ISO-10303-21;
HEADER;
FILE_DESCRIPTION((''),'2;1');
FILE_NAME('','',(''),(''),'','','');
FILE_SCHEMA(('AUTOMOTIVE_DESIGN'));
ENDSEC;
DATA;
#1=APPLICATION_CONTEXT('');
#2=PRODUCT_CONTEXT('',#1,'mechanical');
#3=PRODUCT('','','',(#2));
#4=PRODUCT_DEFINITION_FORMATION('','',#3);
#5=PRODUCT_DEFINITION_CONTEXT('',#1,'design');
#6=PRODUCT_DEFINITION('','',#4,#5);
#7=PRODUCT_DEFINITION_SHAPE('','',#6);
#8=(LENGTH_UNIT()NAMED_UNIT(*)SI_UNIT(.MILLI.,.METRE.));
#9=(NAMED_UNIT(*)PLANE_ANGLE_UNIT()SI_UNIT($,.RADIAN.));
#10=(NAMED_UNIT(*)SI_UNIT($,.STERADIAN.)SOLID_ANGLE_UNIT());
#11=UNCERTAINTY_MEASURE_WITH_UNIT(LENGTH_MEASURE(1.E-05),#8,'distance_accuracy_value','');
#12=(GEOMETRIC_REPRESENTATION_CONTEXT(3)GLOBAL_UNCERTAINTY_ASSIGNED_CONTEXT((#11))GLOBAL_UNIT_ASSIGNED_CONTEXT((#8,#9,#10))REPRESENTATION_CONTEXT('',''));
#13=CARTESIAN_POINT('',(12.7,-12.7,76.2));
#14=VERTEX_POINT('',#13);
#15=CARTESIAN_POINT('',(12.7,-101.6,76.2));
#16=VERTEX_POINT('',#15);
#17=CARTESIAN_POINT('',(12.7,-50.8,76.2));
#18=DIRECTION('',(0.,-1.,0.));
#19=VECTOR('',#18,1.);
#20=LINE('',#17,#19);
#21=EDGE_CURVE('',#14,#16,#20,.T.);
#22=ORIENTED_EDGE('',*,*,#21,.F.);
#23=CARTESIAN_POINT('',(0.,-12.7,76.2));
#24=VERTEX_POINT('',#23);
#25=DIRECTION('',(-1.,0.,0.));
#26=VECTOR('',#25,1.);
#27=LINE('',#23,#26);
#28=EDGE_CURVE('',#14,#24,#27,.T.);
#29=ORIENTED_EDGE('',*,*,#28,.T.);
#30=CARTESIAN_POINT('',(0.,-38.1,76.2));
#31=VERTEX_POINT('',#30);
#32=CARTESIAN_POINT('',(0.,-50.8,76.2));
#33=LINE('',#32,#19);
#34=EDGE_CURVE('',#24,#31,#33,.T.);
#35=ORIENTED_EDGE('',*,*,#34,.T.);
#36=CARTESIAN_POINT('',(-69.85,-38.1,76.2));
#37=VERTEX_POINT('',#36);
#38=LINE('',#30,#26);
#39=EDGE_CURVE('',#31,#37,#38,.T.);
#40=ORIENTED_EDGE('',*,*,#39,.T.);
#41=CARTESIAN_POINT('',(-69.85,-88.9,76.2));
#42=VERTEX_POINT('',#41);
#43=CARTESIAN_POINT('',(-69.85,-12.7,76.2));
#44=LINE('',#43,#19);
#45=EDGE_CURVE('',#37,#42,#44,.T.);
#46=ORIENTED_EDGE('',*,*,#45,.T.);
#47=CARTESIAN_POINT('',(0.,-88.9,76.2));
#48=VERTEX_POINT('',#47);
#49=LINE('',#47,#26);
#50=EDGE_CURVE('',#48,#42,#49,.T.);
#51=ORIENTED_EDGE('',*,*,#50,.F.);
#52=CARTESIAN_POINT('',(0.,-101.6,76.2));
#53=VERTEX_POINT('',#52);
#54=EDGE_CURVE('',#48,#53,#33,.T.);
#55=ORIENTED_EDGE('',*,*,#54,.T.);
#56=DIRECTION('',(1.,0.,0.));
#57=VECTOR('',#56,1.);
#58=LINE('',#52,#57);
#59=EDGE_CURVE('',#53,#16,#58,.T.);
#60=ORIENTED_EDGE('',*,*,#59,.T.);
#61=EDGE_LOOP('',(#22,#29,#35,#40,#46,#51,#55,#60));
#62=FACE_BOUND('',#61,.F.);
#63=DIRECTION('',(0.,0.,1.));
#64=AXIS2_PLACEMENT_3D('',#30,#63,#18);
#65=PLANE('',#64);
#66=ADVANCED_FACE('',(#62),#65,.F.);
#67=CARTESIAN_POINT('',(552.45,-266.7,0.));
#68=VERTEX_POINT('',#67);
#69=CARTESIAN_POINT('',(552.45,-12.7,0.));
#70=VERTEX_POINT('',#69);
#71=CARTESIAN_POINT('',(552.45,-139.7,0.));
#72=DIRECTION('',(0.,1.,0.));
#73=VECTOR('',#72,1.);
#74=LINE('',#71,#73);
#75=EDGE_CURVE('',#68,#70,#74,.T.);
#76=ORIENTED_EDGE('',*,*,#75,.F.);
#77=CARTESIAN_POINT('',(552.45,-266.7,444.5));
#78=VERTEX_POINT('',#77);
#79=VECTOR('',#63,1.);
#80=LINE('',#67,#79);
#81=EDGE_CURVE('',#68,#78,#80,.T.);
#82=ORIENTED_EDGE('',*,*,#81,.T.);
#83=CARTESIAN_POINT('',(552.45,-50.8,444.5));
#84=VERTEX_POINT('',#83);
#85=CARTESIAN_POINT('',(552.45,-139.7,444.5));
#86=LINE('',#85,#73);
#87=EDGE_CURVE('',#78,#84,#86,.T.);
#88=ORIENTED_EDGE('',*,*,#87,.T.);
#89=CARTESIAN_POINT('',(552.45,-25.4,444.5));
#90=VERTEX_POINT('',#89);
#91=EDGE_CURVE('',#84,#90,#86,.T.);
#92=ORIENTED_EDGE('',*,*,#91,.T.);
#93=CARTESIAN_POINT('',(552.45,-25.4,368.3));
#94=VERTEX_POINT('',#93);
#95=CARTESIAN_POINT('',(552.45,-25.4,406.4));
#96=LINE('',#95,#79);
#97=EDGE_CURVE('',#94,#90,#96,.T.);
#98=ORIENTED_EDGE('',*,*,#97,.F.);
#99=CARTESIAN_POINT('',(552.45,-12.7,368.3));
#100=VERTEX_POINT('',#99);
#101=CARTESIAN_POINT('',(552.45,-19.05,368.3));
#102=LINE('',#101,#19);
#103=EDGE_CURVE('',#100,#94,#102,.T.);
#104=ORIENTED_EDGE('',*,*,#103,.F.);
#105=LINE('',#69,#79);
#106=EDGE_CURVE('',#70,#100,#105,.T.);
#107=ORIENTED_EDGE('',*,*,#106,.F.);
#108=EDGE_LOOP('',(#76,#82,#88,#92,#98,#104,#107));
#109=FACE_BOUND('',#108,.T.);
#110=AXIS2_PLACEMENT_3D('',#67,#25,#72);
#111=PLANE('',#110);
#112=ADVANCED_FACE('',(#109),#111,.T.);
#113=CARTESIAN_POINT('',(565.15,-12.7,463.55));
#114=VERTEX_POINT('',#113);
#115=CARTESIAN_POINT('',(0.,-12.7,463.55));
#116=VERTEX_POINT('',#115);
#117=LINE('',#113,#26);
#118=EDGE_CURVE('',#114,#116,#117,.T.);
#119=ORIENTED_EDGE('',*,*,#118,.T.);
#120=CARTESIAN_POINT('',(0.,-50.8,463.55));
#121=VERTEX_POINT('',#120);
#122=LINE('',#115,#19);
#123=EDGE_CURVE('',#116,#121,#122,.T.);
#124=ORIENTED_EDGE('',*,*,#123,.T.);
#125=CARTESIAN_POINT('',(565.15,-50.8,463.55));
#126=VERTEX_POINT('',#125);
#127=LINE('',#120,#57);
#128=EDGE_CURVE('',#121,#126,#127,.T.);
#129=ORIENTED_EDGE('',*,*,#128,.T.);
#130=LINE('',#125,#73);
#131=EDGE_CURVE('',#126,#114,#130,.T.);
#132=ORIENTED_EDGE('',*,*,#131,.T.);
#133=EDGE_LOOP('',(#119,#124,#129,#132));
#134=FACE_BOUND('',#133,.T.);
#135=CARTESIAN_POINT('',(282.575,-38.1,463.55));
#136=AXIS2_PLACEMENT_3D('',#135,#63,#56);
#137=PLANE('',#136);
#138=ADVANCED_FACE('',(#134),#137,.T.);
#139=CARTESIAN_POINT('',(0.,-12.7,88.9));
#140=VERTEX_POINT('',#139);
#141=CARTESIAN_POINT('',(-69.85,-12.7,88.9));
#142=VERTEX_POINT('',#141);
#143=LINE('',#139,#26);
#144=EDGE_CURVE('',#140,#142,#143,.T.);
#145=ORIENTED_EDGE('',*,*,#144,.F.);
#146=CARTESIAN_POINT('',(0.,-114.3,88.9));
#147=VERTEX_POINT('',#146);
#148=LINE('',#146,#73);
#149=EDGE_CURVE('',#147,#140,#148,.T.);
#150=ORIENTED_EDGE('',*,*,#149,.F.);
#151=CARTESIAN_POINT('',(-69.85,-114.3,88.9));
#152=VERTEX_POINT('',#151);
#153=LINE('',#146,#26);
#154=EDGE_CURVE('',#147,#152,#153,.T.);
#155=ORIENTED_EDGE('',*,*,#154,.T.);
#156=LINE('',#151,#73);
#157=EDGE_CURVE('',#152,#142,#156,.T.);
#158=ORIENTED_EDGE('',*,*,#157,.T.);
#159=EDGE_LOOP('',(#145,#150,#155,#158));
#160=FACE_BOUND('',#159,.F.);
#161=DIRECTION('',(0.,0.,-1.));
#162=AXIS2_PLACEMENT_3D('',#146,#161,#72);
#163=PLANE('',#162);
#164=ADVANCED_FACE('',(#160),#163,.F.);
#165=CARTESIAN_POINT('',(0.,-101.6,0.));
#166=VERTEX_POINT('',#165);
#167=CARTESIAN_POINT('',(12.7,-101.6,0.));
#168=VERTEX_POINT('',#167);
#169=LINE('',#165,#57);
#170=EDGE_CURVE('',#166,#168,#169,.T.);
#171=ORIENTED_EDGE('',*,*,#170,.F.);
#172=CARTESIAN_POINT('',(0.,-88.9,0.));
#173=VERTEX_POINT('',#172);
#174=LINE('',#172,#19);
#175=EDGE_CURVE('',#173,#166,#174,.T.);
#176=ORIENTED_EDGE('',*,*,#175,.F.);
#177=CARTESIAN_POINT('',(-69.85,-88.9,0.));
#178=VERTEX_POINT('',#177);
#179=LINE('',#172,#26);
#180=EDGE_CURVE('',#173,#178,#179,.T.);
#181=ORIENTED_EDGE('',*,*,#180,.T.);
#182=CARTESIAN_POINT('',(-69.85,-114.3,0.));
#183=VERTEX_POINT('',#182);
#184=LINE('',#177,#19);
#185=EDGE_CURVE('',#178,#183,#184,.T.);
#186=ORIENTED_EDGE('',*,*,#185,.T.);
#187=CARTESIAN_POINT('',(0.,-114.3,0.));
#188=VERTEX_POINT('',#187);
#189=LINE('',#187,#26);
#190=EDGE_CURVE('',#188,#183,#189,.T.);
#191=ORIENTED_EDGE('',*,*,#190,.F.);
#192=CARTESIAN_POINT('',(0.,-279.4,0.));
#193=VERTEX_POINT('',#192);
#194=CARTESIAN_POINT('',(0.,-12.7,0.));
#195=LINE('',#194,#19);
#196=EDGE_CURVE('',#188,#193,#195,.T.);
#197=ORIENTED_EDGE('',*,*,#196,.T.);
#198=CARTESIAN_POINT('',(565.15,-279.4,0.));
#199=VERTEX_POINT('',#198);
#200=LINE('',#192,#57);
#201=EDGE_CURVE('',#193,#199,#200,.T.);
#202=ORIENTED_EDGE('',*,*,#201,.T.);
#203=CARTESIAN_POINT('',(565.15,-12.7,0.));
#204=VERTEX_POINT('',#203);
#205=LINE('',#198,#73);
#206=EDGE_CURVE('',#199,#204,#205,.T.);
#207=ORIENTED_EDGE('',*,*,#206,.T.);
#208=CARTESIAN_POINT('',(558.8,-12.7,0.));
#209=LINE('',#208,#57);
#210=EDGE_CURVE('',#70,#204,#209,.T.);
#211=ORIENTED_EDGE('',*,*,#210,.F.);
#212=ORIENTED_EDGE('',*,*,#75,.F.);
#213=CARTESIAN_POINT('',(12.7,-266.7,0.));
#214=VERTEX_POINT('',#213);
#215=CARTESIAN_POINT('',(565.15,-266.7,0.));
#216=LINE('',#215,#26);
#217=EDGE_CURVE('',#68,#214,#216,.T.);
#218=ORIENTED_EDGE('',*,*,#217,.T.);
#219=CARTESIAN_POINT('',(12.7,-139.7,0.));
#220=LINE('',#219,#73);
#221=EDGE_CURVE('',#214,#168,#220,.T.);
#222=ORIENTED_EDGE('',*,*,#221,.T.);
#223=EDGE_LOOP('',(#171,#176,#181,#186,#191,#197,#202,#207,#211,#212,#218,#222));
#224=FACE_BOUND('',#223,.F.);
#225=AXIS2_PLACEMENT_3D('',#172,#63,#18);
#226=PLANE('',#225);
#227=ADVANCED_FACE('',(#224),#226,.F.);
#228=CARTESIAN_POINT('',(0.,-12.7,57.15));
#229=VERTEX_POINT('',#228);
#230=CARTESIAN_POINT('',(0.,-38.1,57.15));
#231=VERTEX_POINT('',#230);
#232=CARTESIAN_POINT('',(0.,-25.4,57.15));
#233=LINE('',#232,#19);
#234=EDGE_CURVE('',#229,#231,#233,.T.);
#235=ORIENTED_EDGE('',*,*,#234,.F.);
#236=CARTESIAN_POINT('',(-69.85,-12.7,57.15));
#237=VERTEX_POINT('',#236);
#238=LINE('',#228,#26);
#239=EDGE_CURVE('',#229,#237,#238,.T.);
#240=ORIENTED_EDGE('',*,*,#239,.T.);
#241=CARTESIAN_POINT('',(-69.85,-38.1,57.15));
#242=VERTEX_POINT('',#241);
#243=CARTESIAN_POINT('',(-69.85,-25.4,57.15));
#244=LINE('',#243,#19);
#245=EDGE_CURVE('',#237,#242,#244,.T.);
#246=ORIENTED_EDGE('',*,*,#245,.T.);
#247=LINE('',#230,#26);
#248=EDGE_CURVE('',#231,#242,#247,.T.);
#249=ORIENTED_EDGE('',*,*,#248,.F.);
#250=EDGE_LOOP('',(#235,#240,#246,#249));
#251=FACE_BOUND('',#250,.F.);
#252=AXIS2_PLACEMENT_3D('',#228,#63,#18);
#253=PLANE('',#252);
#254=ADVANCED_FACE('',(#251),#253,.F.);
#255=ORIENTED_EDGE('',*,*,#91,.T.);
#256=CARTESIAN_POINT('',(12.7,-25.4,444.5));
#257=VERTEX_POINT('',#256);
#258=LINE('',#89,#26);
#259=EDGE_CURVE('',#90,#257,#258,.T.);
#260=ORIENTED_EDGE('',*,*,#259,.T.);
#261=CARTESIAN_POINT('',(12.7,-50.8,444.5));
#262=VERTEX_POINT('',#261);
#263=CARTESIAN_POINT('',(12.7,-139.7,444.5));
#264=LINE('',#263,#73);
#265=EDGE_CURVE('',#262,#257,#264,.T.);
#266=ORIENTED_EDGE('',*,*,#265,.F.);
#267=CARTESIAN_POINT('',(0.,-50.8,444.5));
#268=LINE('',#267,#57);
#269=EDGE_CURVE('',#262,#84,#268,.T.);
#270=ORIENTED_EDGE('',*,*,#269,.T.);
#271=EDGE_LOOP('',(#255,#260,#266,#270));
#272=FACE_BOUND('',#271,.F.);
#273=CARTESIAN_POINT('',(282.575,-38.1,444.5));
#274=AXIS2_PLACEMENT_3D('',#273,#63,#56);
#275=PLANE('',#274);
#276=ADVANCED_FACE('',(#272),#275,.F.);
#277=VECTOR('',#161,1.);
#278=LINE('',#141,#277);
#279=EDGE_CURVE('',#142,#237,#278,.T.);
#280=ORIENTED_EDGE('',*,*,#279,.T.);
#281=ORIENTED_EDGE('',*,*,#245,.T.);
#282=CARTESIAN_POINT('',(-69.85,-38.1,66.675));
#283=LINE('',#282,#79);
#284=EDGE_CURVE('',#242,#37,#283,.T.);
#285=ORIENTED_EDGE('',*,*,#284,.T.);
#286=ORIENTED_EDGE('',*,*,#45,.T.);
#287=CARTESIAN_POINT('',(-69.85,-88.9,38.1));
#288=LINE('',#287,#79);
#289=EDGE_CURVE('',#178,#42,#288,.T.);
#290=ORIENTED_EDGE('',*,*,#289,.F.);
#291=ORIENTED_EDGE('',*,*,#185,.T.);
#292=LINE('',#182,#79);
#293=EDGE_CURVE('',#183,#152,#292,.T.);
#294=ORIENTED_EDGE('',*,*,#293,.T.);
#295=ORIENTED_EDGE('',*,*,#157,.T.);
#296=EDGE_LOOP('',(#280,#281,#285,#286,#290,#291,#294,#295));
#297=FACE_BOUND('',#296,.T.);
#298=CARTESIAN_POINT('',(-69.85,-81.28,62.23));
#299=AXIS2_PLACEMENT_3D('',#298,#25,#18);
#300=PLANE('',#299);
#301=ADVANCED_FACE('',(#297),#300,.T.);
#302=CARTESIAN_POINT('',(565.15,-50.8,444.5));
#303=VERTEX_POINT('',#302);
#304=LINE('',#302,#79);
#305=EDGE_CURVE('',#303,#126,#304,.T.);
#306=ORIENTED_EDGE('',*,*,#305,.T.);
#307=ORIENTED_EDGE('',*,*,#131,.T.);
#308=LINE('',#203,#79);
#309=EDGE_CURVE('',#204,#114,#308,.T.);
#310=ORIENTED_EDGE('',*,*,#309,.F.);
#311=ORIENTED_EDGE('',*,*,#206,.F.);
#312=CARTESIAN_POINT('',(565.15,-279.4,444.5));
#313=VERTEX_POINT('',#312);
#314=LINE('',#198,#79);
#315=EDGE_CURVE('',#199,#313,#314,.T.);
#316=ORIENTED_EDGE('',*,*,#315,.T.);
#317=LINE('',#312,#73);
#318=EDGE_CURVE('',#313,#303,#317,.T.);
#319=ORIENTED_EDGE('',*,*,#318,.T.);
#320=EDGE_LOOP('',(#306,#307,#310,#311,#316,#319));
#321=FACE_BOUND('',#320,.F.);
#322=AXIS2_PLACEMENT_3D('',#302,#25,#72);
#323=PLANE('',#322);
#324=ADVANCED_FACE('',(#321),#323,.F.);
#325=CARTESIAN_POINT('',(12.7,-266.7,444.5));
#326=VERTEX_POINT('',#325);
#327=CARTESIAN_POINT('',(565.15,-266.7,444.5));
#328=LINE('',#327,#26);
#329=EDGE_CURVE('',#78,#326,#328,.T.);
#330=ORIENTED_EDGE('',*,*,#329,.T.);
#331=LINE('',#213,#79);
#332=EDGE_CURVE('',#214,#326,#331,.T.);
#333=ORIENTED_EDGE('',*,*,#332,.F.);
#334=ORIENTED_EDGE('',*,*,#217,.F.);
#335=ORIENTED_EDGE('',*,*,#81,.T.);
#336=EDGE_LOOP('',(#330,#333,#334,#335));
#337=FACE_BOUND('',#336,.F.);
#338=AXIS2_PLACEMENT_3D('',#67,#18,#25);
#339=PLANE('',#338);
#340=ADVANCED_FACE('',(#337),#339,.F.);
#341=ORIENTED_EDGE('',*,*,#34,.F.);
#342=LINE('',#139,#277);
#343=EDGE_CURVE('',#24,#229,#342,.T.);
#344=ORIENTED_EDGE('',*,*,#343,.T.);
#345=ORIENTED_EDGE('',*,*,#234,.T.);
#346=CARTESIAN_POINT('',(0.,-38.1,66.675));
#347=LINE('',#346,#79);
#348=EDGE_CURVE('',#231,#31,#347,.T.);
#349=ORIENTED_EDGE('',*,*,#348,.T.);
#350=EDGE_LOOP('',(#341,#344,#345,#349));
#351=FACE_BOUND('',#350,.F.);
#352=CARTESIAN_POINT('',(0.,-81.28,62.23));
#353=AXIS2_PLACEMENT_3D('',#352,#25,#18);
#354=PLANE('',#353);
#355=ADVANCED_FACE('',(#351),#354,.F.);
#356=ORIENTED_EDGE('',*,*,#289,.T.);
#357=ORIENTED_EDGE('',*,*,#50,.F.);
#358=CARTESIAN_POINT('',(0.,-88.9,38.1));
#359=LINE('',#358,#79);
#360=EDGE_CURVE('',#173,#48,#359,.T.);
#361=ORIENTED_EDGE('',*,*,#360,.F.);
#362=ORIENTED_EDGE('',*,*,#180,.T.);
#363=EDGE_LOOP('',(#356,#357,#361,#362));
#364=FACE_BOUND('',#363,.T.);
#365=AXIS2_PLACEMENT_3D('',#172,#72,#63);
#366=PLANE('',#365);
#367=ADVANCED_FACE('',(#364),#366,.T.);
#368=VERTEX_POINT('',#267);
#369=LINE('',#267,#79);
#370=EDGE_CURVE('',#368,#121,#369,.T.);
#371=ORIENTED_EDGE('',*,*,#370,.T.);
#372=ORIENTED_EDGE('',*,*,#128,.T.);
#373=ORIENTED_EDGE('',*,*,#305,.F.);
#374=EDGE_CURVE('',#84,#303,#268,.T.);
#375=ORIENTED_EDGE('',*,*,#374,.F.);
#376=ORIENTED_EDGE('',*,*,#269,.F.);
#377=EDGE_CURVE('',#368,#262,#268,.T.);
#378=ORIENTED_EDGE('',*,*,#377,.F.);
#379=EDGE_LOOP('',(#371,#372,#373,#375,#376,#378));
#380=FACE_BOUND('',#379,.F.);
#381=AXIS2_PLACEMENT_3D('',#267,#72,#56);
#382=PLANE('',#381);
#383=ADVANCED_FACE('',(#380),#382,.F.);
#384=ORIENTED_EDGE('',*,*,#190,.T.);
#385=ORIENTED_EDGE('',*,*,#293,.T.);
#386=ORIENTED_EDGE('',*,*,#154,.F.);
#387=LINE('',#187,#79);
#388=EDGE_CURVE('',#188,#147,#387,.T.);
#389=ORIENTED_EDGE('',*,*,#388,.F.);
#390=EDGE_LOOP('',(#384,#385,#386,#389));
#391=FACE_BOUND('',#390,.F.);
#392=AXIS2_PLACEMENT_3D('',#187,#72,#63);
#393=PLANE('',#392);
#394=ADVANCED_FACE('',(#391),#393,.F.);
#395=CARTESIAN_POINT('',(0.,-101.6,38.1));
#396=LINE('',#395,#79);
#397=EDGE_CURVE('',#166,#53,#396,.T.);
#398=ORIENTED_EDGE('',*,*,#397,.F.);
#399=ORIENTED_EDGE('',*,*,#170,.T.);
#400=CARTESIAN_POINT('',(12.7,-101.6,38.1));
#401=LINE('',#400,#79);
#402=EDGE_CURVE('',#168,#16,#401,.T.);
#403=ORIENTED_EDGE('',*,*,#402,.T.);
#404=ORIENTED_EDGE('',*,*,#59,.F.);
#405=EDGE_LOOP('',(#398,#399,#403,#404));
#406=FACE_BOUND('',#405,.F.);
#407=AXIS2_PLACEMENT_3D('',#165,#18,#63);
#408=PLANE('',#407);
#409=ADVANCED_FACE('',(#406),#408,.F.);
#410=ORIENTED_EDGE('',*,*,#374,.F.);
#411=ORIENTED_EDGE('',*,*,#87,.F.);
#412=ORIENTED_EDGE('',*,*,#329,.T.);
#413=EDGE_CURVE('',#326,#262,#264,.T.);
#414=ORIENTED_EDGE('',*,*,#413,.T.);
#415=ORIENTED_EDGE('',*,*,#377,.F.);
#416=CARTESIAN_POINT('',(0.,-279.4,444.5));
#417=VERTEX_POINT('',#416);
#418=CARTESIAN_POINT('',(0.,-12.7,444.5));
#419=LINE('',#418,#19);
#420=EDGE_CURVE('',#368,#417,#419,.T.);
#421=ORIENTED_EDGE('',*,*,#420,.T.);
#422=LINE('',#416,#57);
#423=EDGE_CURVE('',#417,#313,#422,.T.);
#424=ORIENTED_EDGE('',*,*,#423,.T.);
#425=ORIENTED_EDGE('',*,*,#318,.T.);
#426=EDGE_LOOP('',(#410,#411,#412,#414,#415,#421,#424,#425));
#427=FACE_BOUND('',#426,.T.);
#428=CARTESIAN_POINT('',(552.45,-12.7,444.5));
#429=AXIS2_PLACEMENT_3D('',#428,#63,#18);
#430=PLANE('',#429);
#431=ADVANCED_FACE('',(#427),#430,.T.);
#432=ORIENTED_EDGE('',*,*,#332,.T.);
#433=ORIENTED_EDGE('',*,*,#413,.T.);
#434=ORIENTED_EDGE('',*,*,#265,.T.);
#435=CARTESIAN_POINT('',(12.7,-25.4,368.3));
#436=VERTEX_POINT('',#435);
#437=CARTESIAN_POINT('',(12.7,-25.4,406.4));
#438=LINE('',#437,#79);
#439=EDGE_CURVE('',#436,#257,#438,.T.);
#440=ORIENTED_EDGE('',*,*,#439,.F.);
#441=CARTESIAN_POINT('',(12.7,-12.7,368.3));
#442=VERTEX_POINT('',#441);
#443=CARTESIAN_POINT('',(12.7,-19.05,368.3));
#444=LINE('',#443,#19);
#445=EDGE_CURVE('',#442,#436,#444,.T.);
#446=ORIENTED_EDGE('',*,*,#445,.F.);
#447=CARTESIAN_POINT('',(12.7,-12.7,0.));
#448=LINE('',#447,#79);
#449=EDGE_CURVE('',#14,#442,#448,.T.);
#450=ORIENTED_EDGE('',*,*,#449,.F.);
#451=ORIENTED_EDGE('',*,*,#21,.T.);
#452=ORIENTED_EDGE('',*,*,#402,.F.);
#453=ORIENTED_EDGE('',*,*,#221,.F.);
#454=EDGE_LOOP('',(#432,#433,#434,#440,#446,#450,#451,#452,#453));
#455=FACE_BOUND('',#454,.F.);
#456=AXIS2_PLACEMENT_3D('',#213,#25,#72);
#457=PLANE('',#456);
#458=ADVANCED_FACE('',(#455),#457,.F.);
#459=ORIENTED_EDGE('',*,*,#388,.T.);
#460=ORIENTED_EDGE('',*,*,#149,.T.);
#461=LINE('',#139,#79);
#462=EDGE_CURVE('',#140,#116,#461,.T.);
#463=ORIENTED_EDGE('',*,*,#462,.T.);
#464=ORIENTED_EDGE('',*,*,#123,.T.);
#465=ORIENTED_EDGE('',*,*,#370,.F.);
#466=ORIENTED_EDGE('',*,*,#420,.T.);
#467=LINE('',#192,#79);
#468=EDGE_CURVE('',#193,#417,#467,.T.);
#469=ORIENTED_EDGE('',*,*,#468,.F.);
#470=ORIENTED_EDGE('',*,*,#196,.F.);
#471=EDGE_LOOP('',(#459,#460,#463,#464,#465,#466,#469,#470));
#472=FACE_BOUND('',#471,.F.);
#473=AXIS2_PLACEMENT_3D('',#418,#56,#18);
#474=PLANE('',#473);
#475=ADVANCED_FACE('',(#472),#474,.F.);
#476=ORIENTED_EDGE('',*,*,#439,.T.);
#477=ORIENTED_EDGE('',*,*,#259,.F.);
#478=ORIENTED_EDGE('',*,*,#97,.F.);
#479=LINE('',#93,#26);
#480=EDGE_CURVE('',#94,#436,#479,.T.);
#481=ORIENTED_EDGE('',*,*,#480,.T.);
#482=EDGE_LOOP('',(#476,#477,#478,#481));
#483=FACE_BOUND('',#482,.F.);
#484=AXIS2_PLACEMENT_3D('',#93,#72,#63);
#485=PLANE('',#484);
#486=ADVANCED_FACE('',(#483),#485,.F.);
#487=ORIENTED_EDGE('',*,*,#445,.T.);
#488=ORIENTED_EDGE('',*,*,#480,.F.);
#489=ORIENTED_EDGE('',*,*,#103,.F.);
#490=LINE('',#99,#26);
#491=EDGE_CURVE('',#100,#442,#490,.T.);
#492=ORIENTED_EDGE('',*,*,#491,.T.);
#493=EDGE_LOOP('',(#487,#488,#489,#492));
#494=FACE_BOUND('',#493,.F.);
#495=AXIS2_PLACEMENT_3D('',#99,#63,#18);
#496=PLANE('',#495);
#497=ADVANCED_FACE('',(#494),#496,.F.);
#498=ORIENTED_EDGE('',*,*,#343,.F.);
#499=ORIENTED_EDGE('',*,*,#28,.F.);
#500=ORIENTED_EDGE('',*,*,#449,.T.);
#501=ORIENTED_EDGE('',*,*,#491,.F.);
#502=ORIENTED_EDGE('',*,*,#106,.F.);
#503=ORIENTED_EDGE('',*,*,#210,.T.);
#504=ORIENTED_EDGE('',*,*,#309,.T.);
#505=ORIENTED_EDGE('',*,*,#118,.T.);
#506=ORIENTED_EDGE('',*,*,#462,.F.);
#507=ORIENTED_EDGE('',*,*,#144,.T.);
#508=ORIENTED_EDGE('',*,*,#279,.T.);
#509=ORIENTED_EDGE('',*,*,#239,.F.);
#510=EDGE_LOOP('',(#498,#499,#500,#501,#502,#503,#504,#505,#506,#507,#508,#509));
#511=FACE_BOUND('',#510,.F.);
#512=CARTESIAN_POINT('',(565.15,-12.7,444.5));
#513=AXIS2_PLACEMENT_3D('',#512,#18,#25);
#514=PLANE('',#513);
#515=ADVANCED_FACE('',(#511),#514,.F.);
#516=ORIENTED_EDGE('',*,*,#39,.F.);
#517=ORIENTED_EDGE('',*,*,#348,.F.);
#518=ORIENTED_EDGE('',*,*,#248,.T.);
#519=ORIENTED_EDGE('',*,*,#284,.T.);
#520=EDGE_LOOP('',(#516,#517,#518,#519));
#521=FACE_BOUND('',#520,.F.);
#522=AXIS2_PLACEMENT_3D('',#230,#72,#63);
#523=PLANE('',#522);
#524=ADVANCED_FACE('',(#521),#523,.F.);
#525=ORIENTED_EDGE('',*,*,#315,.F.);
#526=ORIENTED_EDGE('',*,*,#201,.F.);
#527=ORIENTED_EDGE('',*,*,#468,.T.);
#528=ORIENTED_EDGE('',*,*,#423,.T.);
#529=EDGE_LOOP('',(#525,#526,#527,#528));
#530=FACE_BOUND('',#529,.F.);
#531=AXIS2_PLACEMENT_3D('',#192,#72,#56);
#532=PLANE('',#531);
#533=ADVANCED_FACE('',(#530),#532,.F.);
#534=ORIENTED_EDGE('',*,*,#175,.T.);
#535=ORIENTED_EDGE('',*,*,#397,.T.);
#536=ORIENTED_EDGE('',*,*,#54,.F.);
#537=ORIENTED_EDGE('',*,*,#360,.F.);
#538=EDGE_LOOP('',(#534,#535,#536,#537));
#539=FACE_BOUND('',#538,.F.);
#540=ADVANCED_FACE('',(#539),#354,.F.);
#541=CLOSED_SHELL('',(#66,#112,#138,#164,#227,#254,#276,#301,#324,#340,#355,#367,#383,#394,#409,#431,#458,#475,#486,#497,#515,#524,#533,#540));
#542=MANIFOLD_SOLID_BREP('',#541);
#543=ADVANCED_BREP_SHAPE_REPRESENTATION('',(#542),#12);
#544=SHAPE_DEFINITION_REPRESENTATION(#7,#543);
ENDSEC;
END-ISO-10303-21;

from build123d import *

# Parameters (mm, degrees)
F0_W     = 12.7
F0_H     = 254
F1_DEPTH = 444.5
F2_W     = 101.6
F2_H     = 76.2
F3_DEPTH = 12.7
F4_W     = 25.4
F4_H     = 19.05
F4_W_2   = 12.7
F4_H_2   = 76.2
F5_DEPTH = 69.85
F6_W     = 12.7
F6_H     = 76.2
F7_DEPTH = 539.75
F8_W     = 539.75
F8_H     = 25.4
F9_DEPTH = 19.05


with BuildPart() as f1:
    # F0 (on Top) → F1 (new body)
    with BuildSketch(Plane.XY):
        with Locations((6.35, -139.7)):
            Rectangle(F0_W, F0_H)
        Polygon((12.7, -266.7), (0, -266.7), (0, -279.4), (565.15, -279.4), (565.15, -266.7), (552.45, -266.7), align=None)
        with Locations((558.8, -139.7)):
            Rectangle(F0_W, F0_H)
    extrude(amount=F1_DEPTH)

    # F2 (on face) → F3 (cut, through all)
    with BuildSketch(Plane(origin=(0, 0, 0), x_dir=(0, -1, 0), z_dir=(-1, 0, 0))):
        with Locations((50.8, 38.1)):
            Rectangle(F2_W, F2_H)
    extrude(amount=-F3_DEPTH, mode=Mode.SUBTRACT)

    # F4 (on face) → F5 (join)
    with BuildSketch(Plane(origin=(0, 0, 0), x_dir=(0, -1, 0), z_dir=(-1, 0, 0))):
        Polygon((101.6, 0), (114.3, 0), (114.3, 88.9), (12.7, 88.9), (12.7, 76.2), (38.1, 76.2), (88.9, 76.2), (101.6, 76.2), align=None)
        with Locations((25.4, 66.675)):
            Rectangle(F4_W, F4_H)
        with Locations((95.25, 38.1)):
            Rectangle(F4_W_2, F4_H_2)
    extrude(amount=F5_DEPTH)

    # F6 (on face) → F7 (join, through all)
    with BuildSketch(Plane(origin=(552.45, 0, 0), x_dir=(0, -1, 0), z_dir=(-1, 0, 0))):
        with Locations((19.05, 406.4)):
            Rectangle(F6_W, F6_H)
    extrude(amount=F7_DEPTH)

    # F8 (on face) → F9 (join)
    with BuildSketch(Plane.XY.offset(444.5)):
        with Locations((282.575, -38.1)):
            Rectangle(F8_W, F8_H)
        Polygon((565.15, -12.7), (0, -12.7), (0, -50.8), (12.7, -50.8), (12.7, -25.4), (552.45, -25.4), (552.45, -50.8), (565.15, -50.8), align=None)
    extrude(amount=F9_DEPTH)


solid = f1.part
